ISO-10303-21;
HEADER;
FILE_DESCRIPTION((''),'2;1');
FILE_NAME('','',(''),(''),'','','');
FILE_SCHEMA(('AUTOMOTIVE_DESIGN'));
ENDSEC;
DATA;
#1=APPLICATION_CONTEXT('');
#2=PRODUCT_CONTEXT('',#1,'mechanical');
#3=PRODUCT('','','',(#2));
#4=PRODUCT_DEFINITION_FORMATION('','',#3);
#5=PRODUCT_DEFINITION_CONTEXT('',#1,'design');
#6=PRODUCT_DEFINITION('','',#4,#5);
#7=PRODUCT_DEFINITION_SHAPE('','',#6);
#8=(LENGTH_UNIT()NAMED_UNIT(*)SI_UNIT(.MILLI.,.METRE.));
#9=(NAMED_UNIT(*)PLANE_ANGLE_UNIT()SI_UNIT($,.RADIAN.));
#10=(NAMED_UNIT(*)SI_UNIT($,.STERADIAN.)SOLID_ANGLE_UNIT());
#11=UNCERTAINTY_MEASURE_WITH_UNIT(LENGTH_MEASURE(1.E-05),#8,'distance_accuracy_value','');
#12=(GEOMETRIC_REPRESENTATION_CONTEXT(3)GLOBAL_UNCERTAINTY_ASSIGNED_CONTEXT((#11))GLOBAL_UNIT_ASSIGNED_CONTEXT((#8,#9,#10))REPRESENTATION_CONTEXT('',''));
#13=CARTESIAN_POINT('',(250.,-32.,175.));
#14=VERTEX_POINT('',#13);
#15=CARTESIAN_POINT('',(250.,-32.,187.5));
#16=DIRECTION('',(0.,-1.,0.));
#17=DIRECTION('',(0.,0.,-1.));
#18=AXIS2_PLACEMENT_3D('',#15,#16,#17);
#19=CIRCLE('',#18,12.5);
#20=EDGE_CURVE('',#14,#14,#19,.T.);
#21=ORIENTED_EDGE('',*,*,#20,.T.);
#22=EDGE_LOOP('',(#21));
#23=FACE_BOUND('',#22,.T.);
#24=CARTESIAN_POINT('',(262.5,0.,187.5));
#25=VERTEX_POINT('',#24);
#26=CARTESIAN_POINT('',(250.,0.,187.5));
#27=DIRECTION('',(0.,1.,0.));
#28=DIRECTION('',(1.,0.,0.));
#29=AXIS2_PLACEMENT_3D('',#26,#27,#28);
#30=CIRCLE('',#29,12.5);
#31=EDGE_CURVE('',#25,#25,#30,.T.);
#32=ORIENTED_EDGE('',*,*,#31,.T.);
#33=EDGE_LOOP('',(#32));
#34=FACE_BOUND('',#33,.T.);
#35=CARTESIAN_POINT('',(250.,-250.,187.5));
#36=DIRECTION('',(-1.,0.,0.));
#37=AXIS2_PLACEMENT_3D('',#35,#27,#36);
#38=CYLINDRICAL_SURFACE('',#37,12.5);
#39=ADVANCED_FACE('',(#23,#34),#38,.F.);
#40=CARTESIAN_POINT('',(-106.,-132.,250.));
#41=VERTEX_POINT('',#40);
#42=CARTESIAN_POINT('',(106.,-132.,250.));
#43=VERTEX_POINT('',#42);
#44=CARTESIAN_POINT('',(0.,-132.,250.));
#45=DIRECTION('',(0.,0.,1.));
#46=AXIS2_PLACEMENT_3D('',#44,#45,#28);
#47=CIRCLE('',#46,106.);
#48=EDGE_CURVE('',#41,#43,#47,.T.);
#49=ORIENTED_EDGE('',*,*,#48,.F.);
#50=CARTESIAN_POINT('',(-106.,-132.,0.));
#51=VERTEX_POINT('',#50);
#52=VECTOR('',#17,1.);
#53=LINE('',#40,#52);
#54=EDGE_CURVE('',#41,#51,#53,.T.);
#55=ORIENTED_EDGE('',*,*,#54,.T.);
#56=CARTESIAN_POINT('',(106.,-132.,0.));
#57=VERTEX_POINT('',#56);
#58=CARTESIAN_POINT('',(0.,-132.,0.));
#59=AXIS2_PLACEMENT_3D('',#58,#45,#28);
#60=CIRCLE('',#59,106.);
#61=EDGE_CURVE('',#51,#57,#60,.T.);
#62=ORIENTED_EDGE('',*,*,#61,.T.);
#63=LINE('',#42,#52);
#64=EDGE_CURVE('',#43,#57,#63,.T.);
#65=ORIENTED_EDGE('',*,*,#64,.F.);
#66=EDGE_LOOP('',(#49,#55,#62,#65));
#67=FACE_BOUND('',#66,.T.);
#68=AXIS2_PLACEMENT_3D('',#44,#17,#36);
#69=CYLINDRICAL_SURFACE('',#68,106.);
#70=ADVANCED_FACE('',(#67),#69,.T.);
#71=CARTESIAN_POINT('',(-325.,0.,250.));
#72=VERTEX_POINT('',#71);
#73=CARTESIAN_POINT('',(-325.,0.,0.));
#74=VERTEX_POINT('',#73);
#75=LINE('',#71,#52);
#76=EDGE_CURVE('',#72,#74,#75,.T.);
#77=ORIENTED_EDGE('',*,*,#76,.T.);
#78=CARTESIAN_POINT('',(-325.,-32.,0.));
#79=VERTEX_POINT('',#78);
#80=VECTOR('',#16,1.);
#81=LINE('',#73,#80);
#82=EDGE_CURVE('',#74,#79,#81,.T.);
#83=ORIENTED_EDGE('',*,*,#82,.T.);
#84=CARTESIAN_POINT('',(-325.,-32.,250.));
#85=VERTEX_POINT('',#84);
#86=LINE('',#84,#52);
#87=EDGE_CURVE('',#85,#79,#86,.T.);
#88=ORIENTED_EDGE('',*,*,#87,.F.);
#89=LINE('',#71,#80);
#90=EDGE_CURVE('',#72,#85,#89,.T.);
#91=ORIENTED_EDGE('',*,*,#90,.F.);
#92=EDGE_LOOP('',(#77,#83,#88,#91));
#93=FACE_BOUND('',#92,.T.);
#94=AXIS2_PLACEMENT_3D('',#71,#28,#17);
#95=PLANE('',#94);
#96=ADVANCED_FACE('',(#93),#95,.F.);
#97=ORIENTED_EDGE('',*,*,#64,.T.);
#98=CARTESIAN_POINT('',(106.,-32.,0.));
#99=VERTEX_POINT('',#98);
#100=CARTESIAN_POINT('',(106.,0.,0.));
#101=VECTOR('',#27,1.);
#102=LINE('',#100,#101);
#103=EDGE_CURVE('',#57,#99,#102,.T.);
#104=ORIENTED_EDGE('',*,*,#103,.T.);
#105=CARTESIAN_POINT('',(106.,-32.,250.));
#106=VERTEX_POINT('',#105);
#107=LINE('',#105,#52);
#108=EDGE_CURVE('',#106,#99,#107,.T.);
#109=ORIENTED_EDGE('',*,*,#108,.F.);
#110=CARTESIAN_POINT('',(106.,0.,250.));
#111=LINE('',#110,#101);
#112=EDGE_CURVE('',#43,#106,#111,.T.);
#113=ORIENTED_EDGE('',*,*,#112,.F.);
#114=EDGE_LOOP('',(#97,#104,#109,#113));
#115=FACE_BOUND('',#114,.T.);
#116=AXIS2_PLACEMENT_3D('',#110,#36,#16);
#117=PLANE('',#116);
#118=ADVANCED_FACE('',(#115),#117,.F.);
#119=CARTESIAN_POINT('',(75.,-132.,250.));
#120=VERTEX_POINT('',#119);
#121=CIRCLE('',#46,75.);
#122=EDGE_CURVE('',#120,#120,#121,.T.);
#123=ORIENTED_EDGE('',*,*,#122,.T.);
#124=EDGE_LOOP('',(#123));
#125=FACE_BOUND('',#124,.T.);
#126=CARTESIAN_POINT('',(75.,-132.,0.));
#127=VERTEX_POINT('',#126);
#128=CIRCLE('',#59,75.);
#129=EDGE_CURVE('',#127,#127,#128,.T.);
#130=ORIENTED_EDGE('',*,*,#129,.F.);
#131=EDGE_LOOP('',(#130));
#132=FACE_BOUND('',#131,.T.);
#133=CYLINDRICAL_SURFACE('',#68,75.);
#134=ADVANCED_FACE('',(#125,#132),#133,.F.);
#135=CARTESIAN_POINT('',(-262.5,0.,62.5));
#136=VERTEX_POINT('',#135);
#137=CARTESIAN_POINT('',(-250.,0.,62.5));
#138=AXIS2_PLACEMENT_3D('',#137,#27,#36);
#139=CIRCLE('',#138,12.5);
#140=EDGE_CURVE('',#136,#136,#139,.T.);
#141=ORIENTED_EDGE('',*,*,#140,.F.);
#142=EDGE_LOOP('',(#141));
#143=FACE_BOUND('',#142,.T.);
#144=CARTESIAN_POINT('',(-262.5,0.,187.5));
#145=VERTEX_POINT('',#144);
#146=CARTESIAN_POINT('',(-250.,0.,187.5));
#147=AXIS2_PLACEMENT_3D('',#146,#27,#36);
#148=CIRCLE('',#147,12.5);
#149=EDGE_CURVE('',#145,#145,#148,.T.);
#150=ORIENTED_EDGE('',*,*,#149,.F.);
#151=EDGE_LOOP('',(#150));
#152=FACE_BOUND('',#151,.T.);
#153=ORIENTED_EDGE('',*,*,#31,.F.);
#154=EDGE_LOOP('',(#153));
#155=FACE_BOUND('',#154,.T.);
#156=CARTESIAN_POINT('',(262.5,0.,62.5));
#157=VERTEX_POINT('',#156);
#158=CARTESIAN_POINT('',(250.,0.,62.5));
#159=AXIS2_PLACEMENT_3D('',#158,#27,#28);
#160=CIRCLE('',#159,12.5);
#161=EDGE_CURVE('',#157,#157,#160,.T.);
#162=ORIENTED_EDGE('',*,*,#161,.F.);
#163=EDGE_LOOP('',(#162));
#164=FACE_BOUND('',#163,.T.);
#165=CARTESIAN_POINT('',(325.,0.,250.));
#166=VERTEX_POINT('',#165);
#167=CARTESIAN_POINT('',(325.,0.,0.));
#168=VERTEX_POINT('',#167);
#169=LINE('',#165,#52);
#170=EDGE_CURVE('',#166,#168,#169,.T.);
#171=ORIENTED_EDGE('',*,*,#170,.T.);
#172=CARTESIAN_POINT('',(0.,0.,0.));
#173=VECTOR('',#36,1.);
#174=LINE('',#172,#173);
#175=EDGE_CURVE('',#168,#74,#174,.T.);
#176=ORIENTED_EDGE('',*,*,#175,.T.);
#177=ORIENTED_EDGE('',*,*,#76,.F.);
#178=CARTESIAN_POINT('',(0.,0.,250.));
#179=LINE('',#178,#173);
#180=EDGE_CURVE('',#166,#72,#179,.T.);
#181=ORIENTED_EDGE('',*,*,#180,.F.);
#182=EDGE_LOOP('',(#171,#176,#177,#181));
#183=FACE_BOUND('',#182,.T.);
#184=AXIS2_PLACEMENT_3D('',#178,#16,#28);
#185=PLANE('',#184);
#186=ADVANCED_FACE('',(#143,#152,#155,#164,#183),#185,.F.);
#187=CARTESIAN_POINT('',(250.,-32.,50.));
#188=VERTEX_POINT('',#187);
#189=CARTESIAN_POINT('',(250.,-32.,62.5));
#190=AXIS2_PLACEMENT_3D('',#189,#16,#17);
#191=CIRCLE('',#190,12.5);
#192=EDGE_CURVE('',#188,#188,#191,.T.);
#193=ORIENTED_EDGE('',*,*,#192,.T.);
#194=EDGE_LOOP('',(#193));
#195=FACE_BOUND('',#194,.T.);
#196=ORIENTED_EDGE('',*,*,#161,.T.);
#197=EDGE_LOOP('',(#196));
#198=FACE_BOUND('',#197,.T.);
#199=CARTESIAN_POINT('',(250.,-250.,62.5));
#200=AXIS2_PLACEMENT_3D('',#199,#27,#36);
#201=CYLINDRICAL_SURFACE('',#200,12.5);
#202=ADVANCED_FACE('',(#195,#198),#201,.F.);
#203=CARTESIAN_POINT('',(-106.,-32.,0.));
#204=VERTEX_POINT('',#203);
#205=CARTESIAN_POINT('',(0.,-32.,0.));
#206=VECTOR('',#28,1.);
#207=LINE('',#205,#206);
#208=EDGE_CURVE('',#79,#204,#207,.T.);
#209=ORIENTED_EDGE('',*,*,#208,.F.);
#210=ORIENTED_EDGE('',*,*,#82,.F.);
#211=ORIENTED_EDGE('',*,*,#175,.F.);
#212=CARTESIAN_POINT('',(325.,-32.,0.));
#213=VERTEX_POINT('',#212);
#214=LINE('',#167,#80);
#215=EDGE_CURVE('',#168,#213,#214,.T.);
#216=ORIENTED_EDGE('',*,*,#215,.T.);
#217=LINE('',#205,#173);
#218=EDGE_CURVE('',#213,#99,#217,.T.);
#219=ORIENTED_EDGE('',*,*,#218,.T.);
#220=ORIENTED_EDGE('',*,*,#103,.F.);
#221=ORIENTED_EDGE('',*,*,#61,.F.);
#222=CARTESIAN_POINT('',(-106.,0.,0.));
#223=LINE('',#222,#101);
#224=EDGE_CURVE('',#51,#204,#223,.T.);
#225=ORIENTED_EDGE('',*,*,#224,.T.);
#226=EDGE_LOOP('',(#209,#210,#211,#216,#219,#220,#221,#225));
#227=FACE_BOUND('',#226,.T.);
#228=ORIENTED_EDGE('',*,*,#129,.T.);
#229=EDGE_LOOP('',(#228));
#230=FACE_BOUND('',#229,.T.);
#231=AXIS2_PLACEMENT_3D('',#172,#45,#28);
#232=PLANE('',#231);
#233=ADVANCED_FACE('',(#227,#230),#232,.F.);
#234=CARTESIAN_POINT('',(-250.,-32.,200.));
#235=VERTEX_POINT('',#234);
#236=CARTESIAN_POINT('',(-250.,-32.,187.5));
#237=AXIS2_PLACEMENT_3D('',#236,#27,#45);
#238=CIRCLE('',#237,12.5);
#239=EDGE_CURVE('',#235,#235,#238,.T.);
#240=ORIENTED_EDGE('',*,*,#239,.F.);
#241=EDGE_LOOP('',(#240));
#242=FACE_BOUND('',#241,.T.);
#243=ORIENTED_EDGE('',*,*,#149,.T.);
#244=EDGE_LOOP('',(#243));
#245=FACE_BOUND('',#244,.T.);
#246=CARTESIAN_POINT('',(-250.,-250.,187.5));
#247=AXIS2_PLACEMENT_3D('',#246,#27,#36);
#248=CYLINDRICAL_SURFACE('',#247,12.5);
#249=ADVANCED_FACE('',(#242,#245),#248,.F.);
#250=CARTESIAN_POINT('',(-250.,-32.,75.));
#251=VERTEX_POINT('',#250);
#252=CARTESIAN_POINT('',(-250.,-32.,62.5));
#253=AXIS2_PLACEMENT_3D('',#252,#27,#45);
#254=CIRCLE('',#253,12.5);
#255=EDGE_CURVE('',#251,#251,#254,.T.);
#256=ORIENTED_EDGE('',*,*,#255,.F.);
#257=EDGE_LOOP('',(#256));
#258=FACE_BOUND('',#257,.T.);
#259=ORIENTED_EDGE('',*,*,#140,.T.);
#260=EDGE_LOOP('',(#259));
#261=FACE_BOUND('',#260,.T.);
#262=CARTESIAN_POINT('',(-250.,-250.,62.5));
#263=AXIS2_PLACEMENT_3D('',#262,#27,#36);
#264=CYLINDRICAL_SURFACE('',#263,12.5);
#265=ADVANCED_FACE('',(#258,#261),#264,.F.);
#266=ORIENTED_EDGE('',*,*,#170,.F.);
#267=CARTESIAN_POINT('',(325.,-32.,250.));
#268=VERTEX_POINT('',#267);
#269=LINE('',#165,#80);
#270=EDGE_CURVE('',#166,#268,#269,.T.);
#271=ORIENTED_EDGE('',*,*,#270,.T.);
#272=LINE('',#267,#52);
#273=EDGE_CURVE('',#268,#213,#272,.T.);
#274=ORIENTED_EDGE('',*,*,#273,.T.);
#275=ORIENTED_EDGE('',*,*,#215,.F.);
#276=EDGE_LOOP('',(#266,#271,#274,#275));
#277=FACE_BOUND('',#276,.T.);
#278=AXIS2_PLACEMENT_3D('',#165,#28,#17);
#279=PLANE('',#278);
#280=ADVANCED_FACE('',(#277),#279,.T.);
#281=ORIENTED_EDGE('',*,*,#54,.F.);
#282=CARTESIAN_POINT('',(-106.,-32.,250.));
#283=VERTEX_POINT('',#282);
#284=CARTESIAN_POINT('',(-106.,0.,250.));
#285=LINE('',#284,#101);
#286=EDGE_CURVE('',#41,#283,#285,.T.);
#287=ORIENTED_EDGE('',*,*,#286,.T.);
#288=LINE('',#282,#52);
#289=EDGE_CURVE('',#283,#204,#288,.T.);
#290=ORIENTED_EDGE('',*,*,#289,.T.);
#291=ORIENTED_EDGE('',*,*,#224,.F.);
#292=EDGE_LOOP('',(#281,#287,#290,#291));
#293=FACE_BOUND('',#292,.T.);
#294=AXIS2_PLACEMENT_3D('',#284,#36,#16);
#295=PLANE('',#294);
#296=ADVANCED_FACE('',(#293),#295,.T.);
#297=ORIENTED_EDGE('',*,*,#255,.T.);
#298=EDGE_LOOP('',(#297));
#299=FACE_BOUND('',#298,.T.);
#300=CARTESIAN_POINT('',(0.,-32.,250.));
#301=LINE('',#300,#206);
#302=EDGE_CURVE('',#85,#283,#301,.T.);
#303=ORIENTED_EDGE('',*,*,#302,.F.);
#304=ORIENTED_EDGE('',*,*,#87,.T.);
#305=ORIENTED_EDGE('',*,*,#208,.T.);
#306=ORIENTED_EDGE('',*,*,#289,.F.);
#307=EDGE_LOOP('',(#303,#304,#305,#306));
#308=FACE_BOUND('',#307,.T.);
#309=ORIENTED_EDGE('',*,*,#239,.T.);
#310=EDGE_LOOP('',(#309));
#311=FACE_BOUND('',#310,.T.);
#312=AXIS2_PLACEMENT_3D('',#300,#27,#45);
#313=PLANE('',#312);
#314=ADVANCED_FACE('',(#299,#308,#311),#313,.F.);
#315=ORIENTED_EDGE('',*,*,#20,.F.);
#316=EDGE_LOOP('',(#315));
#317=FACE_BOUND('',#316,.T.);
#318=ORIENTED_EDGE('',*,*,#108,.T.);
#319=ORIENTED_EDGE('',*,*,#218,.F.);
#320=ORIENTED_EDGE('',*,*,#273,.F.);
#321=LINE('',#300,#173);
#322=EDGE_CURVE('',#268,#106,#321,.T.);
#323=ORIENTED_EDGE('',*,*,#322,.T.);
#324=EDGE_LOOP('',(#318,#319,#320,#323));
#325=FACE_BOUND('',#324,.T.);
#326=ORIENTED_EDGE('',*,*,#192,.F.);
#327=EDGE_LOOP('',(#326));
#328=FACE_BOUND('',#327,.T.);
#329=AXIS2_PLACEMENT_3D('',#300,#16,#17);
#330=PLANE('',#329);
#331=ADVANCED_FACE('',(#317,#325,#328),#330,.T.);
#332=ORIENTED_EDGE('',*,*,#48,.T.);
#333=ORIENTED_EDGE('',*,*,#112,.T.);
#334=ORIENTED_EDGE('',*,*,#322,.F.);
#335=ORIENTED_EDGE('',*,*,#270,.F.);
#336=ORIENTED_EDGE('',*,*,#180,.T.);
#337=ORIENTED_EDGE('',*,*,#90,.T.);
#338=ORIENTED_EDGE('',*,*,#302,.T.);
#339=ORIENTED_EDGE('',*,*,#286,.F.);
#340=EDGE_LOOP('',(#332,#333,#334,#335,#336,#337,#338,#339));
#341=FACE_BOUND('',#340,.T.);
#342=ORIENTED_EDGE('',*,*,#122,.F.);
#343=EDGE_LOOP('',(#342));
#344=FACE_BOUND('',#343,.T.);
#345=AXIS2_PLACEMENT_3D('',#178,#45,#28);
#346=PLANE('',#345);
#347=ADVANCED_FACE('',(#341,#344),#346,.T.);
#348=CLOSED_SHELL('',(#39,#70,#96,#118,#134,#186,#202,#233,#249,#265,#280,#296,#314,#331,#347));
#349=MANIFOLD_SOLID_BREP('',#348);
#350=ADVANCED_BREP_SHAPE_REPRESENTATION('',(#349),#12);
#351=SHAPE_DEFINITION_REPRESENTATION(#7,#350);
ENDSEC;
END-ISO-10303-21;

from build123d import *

# Parameters (mm, degrees)
SKETCH1_R           = 75
BOSS_EXTRUDE1_DEPTH = 250
SKETCH2_R           = 12.5
CUT_EXTRUDE1_DEPTH  = 250


with BuildPart() as part:
    # Sketch1 → Boss-Extrude1 (new body)
    with BuildSketch(Plane.XY):
        with BuildLine():
            Line((325, 0), (-325, 0))
            Line((-325, 0), (-325, -32))
            Line((-325, -32), (-106, -32))
            Line((-106, -32), (-106, -132))
            ThreePointArc((-106, -132), (0, -238), (106, -132))
            Line((106, -132), (106, -32))
            Line((106, -32), (325, -32))
            Line((325, -32), (325, 0))
        make_face()
        with Locations((0, -132)):
            Circle(SKETCH1_R, mode=Mode.SUBTRACT)
    extrude(amount=BOSS_EXTRUDE1_DEPTH)

    # Sketch2 → Cut-Extrude1 (cut)
    with BuildSketch(Plane(origin=(0, 0, 0), x_dir=(1, 0, 0), z_dir=(0, 1, 0))):
        with Locations(Location((-250, -187.5, 0), (0, 0, 180))):  # turned: the seam where the file's is
            Circle(SKETCH2_R)
        with Locations(Location((-250, -62.5, 0), (0, 0, 180))):  # turned: the seam where the file's is
            Circle(SKETCH2_R)
        with Locations(Location((250, -187.5, 0), (0, 0, 90))):  # turned: the seam where the file's is
            Circle(SKETCH2_R)
        with Locations(Location((250, -62.5, 0), (0, 0, 90))):  # turned: the seam where the file's is
            Circle(SKETCH2_R)
    extrude(amount=-CUT_EXTRUDE1_DEPTH, mode=Mode.SUBTRACT)


solid = part.part
